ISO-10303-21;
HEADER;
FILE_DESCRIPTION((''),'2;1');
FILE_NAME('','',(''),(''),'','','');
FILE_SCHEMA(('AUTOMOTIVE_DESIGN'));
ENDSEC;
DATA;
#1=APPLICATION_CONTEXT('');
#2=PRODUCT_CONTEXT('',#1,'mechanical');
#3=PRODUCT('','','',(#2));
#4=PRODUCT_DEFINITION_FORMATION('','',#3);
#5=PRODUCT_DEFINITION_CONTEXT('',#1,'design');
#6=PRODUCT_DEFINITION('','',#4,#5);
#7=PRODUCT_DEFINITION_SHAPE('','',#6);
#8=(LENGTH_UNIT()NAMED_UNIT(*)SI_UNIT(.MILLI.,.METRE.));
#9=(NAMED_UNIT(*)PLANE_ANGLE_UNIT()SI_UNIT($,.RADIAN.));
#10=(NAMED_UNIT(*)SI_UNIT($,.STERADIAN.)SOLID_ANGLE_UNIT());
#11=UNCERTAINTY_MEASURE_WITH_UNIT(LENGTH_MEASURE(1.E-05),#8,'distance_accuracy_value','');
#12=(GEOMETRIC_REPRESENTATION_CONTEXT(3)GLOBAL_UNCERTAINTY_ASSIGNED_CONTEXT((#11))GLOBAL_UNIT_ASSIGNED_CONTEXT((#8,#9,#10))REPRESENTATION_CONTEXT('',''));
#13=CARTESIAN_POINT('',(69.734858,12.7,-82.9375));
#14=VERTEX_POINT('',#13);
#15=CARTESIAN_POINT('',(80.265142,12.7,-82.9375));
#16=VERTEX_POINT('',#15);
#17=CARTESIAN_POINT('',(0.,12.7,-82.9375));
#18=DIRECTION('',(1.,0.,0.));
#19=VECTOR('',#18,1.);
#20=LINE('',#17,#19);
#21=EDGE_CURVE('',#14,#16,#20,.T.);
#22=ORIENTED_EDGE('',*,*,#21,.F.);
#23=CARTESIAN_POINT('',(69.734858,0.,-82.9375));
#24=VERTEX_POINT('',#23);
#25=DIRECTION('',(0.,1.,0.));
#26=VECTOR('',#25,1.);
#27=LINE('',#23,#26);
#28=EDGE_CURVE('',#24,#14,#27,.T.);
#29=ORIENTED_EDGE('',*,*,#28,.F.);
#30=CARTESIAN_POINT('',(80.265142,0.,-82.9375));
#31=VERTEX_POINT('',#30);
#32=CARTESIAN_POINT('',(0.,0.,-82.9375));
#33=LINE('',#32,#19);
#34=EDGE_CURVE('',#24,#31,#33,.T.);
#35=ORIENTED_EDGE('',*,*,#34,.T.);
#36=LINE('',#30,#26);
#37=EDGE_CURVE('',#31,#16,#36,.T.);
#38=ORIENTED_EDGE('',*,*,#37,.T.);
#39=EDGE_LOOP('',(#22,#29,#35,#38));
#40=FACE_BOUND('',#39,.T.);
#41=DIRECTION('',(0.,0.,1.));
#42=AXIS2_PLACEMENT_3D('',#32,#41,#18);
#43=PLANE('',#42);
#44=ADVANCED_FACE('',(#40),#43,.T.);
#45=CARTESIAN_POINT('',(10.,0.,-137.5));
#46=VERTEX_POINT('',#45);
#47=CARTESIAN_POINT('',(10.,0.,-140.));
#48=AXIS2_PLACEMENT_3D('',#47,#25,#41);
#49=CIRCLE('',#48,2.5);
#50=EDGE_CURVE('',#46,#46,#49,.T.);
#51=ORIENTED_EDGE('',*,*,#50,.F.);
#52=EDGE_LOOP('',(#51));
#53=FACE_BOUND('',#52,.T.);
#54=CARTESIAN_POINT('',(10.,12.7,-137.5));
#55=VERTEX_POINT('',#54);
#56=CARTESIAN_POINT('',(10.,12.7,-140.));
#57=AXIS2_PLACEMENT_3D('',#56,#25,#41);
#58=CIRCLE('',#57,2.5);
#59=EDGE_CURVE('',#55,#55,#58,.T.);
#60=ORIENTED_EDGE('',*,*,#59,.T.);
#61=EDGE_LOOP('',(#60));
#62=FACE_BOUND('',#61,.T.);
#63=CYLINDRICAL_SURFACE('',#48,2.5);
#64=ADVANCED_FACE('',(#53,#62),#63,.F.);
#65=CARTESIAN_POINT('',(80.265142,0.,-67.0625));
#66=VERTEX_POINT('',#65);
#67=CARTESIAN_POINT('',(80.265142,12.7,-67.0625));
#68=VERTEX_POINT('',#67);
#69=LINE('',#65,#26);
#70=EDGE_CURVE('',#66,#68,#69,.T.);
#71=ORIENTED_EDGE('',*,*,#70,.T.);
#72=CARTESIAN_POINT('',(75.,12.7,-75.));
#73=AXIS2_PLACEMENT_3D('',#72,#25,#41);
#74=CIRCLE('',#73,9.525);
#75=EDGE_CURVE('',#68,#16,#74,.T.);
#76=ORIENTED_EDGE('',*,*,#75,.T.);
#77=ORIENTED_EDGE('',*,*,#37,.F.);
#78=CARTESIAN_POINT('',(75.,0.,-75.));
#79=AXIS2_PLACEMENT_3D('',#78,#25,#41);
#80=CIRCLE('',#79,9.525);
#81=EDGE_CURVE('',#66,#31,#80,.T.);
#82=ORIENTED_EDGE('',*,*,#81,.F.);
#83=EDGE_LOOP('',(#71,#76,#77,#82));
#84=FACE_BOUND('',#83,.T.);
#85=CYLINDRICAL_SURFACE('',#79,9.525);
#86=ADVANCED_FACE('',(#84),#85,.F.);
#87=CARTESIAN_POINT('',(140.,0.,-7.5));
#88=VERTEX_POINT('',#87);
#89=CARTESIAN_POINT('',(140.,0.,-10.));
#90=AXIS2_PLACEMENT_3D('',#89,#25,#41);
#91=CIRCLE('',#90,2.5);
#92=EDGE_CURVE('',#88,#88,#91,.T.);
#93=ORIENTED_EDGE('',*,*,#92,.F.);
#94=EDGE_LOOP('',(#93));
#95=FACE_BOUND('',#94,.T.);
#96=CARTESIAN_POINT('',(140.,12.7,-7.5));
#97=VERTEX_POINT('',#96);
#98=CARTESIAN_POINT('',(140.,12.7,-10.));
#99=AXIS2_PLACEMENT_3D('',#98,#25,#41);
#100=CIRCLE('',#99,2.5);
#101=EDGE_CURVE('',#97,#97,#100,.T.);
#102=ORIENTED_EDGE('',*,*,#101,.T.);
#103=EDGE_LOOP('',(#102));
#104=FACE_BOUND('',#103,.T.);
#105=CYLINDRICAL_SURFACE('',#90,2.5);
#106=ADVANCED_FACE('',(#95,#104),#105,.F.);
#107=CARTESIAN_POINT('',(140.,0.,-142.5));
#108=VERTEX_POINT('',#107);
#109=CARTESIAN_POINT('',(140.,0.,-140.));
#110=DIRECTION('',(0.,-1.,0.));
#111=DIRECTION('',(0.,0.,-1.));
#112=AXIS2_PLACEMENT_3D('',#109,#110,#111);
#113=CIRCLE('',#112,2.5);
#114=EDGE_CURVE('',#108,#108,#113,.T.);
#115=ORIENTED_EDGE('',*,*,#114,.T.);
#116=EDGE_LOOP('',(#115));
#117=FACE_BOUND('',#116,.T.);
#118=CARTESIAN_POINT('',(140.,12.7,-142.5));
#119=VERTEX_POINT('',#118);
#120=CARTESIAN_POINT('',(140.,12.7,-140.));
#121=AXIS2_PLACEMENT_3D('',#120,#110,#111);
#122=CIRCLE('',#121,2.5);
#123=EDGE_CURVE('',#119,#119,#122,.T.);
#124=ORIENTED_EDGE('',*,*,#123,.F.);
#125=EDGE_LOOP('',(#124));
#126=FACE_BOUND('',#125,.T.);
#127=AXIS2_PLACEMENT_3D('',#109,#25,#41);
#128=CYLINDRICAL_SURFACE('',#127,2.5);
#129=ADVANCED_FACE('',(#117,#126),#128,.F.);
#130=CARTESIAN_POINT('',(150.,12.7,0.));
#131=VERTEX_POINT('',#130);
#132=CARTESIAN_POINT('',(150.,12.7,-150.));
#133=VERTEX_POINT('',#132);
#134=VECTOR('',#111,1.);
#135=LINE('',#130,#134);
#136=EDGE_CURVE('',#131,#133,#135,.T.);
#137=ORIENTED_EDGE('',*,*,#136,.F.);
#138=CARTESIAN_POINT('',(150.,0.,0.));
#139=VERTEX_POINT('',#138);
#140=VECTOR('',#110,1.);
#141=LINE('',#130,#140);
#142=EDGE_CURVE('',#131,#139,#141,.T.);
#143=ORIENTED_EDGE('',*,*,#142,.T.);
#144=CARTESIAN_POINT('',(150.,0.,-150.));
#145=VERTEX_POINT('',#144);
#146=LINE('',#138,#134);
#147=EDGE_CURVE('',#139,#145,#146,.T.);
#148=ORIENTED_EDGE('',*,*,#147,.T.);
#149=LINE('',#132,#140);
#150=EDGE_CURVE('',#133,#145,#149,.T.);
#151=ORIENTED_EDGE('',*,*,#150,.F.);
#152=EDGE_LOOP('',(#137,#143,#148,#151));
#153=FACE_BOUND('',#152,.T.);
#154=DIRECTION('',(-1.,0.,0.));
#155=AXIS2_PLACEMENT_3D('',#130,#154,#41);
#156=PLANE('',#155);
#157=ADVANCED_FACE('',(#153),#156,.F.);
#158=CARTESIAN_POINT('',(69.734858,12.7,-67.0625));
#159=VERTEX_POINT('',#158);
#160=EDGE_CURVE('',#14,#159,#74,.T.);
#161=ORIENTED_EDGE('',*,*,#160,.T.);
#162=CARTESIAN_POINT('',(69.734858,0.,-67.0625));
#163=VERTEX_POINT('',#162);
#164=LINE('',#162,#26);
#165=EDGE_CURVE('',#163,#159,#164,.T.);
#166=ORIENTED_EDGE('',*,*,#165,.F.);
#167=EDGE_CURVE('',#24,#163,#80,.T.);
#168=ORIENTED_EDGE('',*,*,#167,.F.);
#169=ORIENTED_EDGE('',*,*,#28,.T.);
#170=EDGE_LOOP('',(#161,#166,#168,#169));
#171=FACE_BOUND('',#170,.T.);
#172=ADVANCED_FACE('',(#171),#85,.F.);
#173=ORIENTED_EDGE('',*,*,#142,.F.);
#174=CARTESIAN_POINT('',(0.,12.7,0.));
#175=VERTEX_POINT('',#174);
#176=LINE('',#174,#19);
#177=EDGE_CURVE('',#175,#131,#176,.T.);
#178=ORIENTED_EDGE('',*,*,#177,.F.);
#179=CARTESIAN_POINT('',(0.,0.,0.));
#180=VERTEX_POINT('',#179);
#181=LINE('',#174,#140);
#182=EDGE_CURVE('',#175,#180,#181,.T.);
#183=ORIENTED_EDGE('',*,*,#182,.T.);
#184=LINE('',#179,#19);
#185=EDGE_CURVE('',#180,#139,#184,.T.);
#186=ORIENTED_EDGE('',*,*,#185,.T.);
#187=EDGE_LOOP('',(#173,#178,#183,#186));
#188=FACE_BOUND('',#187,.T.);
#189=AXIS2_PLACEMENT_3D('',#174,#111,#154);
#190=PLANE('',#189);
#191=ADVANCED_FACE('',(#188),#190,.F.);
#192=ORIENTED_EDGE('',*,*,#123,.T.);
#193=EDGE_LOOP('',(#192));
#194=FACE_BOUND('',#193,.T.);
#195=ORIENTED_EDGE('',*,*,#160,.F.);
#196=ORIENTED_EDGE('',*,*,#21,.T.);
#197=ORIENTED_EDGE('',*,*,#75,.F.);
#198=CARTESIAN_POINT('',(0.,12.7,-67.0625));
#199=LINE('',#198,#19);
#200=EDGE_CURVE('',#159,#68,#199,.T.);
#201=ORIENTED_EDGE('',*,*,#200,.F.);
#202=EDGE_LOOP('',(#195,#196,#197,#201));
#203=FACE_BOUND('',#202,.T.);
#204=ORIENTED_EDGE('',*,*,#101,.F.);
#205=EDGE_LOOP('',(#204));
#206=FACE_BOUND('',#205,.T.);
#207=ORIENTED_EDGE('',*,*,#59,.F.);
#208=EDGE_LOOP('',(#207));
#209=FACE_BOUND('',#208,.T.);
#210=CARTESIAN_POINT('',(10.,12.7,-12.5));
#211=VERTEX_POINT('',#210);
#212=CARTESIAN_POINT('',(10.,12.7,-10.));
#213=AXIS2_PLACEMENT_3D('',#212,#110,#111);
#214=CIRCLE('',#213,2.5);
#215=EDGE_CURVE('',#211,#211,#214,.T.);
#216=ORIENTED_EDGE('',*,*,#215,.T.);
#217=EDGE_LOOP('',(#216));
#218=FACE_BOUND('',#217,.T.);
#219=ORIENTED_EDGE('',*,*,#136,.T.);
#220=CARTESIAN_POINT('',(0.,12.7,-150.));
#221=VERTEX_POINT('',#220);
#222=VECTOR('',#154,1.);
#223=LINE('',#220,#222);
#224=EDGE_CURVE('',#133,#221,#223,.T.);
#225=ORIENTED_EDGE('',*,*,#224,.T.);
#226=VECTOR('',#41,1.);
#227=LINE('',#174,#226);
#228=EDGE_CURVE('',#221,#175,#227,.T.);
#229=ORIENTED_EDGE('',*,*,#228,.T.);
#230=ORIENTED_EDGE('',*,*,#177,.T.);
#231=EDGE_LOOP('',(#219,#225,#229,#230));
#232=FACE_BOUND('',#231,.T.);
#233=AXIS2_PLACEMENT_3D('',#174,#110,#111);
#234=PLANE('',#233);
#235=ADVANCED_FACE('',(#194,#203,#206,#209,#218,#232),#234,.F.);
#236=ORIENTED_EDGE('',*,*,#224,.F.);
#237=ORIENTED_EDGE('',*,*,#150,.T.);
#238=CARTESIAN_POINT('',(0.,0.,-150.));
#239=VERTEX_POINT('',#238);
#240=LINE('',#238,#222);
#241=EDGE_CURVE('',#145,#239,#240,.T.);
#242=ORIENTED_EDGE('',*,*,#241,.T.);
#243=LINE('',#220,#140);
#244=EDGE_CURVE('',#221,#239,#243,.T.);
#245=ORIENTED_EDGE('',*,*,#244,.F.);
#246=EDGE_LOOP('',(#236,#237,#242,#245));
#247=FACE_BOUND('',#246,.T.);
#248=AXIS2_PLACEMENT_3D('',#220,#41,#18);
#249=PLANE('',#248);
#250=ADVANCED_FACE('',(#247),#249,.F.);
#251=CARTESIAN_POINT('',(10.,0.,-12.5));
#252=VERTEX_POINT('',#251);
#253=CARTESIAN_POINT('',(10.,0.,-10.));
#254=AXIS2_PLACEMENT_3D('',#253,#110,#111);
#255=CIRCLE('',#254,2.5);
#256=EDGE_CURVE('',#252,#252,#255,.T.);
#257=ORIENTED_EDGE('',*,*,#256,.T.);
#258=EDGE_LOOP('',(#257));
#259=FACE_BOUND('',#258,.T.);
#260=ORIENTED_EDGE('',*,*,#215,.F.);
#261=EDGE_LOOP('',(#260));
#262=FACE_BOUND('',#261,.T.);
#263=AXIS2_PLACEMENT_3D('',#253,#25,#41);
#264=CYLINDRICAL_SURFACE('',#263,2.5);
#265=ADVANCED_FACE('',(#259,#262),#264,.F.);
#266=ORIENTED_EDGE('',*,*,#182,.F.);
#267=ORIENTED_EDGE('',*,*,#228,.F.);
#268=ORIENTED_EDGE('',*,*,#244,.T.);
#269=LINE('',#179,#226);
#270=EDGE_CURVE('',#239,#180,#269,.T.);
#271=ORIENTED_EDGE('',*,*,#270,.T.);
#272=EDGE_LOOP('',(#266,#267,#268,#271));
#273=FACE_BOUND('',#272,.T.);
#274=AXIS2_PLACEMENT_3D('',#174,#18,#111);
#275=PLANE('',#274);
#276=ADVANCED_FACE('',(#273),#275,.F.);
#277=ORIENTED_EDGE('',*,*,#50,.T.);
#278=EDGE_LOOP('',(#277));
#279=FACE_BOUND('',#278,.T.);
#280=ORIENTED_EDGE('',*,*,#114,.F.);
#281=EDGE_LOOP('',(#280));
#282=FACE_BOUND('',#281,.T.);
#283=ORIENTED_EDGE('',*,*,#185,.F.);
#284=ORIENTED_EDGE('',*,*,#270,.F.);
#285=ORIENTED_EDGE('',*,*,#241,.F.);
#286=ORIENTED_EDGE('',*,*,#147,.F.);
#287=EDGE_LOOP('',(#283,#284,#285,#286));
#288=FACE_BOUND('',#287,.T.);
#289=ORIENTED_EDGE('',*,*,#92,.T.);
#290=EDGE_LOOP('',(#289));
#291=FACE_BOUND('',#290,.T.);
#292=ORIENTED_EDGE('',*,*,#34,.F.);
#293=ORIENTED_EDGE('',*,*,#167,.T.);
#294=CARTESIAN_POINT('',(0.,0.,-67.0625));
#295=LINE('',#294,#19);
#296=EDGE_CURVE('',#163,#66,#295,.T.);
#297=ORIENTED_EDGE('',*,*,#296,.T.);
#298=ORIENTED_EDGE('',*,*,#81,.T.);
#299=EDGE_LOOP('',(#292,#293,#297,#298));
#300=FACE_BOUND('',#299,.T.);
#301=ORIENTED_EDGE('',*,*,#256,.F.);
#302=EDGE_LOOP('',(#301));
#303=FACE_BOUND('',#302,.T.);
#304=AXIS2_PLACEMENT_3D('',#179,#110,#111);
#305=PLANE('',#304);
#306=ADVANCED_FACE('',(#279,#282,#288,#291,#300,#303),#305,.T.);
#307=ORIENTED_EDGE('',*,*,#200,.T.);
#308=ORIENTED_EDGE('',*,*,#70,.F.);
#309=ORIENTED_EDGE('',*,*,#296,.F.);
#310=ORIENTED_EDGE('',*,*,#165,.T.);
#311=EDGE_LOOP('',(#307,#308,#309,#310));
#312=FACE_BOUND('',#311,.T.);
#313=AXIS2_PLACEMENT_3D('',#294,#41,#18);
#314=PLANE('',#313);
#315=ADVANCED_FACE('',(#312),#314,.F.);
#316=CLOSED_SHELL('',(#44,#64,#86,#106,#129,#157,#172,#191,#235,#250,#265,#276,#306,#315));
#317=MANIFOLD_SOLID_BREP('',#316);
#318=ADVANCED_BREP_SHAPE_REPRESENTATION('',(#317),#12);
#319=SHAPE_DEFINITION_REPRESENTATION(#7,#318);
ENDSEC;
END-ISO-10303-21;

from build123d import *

# Parameters (mm, degrees)
SKETCH1_W           = 150
SKETCH1_H           = 150
BOSS_EXTRUDE1_DEPTH = 12.7
SKETCH2_W           = 10.53028371
SKETCH2_H           = 7.9375
SKETCH2_R           = 2.5
CUT_EXTRUDE1_DEPTH  = 12.7


with BuildPart() as part:
    # Sketch1 → Boss-Extrude1 (new body)
    with BuildSketch(Plane(origin=(0, 0, 0), x_dir=(1, 0, 0), z_dir=(0, 1, 0))):
        with Locations((75, 75)):
            Rectangle(SKETCH1_W, SKETCH1_H)
    extrude(amount=BOSS_EXTRUDE1_DEPTH)

    # Sketch2 → Cut-Extrude1 (cut)
    with BuildSketch(Plane(origin=(0, 12.7, 0), x_dir=(1, 0, 0), z_dir=(0, 1, 0))):
        with BuildLine():
            ThreePointArc((80.265141855, 67.0625), (83.392737967, 70.495827), (84.525, 75))
            Line((84.525, 75), (80.265141855, 75))
            Line((80.265141855, 75), (80.265141855, 67.0625))
        make_face()
        with BuildLine():
            Line((80.265141855, 75), (84.525, 75))
            ThreePointArc((84.525, 75), (83.392737967, 79.504173), (80.265141855, 82.9375))
            Line((80.265141855, 82.9375), (80.265141855, 75))
        make_face()
        with BuildLine():
            Line((69.734858145, 67.0625), (69.734858145, 75))
            Line((69.734858145, 75), (65.475, 75))
            ThreePointArc((65.475, 75), (66.607262033, 70.495827), (69.734858145, 67.0625))
        make_face()
        with BuildLine():
            Line((65.475, 75), (69.734858145, 75))
            Line((69.734858145, 75), (69.734858145, 82.9375))
            ThreePointArc((69.734858145, 82.9375), (66.607262033, 79.504173), (65.475, 75))
        make_face()
        with Locations((75, 78.96875)):
            Rectangle(SKETCH2_W, SKETCH2_H)
        with Locations((75, 71.03125)):
            Rectangle(SKETCH2_W, SKETCH2_H)
        with Locations((10, 140)):
            Circle(SKETCH2_R)
        with Locations((140, 140)):
            Circle(SKETCH2_R)
        with Locations((140, 10)):
            Circle(SKETCH2_R)
        with Locations((10, 10)):
            Circle(SKETCH2_R)
    extrude(amount=-CUT_EXTRUDE1_DEPTH, mode=Mode.SUBTRACT)


solid = part.part
